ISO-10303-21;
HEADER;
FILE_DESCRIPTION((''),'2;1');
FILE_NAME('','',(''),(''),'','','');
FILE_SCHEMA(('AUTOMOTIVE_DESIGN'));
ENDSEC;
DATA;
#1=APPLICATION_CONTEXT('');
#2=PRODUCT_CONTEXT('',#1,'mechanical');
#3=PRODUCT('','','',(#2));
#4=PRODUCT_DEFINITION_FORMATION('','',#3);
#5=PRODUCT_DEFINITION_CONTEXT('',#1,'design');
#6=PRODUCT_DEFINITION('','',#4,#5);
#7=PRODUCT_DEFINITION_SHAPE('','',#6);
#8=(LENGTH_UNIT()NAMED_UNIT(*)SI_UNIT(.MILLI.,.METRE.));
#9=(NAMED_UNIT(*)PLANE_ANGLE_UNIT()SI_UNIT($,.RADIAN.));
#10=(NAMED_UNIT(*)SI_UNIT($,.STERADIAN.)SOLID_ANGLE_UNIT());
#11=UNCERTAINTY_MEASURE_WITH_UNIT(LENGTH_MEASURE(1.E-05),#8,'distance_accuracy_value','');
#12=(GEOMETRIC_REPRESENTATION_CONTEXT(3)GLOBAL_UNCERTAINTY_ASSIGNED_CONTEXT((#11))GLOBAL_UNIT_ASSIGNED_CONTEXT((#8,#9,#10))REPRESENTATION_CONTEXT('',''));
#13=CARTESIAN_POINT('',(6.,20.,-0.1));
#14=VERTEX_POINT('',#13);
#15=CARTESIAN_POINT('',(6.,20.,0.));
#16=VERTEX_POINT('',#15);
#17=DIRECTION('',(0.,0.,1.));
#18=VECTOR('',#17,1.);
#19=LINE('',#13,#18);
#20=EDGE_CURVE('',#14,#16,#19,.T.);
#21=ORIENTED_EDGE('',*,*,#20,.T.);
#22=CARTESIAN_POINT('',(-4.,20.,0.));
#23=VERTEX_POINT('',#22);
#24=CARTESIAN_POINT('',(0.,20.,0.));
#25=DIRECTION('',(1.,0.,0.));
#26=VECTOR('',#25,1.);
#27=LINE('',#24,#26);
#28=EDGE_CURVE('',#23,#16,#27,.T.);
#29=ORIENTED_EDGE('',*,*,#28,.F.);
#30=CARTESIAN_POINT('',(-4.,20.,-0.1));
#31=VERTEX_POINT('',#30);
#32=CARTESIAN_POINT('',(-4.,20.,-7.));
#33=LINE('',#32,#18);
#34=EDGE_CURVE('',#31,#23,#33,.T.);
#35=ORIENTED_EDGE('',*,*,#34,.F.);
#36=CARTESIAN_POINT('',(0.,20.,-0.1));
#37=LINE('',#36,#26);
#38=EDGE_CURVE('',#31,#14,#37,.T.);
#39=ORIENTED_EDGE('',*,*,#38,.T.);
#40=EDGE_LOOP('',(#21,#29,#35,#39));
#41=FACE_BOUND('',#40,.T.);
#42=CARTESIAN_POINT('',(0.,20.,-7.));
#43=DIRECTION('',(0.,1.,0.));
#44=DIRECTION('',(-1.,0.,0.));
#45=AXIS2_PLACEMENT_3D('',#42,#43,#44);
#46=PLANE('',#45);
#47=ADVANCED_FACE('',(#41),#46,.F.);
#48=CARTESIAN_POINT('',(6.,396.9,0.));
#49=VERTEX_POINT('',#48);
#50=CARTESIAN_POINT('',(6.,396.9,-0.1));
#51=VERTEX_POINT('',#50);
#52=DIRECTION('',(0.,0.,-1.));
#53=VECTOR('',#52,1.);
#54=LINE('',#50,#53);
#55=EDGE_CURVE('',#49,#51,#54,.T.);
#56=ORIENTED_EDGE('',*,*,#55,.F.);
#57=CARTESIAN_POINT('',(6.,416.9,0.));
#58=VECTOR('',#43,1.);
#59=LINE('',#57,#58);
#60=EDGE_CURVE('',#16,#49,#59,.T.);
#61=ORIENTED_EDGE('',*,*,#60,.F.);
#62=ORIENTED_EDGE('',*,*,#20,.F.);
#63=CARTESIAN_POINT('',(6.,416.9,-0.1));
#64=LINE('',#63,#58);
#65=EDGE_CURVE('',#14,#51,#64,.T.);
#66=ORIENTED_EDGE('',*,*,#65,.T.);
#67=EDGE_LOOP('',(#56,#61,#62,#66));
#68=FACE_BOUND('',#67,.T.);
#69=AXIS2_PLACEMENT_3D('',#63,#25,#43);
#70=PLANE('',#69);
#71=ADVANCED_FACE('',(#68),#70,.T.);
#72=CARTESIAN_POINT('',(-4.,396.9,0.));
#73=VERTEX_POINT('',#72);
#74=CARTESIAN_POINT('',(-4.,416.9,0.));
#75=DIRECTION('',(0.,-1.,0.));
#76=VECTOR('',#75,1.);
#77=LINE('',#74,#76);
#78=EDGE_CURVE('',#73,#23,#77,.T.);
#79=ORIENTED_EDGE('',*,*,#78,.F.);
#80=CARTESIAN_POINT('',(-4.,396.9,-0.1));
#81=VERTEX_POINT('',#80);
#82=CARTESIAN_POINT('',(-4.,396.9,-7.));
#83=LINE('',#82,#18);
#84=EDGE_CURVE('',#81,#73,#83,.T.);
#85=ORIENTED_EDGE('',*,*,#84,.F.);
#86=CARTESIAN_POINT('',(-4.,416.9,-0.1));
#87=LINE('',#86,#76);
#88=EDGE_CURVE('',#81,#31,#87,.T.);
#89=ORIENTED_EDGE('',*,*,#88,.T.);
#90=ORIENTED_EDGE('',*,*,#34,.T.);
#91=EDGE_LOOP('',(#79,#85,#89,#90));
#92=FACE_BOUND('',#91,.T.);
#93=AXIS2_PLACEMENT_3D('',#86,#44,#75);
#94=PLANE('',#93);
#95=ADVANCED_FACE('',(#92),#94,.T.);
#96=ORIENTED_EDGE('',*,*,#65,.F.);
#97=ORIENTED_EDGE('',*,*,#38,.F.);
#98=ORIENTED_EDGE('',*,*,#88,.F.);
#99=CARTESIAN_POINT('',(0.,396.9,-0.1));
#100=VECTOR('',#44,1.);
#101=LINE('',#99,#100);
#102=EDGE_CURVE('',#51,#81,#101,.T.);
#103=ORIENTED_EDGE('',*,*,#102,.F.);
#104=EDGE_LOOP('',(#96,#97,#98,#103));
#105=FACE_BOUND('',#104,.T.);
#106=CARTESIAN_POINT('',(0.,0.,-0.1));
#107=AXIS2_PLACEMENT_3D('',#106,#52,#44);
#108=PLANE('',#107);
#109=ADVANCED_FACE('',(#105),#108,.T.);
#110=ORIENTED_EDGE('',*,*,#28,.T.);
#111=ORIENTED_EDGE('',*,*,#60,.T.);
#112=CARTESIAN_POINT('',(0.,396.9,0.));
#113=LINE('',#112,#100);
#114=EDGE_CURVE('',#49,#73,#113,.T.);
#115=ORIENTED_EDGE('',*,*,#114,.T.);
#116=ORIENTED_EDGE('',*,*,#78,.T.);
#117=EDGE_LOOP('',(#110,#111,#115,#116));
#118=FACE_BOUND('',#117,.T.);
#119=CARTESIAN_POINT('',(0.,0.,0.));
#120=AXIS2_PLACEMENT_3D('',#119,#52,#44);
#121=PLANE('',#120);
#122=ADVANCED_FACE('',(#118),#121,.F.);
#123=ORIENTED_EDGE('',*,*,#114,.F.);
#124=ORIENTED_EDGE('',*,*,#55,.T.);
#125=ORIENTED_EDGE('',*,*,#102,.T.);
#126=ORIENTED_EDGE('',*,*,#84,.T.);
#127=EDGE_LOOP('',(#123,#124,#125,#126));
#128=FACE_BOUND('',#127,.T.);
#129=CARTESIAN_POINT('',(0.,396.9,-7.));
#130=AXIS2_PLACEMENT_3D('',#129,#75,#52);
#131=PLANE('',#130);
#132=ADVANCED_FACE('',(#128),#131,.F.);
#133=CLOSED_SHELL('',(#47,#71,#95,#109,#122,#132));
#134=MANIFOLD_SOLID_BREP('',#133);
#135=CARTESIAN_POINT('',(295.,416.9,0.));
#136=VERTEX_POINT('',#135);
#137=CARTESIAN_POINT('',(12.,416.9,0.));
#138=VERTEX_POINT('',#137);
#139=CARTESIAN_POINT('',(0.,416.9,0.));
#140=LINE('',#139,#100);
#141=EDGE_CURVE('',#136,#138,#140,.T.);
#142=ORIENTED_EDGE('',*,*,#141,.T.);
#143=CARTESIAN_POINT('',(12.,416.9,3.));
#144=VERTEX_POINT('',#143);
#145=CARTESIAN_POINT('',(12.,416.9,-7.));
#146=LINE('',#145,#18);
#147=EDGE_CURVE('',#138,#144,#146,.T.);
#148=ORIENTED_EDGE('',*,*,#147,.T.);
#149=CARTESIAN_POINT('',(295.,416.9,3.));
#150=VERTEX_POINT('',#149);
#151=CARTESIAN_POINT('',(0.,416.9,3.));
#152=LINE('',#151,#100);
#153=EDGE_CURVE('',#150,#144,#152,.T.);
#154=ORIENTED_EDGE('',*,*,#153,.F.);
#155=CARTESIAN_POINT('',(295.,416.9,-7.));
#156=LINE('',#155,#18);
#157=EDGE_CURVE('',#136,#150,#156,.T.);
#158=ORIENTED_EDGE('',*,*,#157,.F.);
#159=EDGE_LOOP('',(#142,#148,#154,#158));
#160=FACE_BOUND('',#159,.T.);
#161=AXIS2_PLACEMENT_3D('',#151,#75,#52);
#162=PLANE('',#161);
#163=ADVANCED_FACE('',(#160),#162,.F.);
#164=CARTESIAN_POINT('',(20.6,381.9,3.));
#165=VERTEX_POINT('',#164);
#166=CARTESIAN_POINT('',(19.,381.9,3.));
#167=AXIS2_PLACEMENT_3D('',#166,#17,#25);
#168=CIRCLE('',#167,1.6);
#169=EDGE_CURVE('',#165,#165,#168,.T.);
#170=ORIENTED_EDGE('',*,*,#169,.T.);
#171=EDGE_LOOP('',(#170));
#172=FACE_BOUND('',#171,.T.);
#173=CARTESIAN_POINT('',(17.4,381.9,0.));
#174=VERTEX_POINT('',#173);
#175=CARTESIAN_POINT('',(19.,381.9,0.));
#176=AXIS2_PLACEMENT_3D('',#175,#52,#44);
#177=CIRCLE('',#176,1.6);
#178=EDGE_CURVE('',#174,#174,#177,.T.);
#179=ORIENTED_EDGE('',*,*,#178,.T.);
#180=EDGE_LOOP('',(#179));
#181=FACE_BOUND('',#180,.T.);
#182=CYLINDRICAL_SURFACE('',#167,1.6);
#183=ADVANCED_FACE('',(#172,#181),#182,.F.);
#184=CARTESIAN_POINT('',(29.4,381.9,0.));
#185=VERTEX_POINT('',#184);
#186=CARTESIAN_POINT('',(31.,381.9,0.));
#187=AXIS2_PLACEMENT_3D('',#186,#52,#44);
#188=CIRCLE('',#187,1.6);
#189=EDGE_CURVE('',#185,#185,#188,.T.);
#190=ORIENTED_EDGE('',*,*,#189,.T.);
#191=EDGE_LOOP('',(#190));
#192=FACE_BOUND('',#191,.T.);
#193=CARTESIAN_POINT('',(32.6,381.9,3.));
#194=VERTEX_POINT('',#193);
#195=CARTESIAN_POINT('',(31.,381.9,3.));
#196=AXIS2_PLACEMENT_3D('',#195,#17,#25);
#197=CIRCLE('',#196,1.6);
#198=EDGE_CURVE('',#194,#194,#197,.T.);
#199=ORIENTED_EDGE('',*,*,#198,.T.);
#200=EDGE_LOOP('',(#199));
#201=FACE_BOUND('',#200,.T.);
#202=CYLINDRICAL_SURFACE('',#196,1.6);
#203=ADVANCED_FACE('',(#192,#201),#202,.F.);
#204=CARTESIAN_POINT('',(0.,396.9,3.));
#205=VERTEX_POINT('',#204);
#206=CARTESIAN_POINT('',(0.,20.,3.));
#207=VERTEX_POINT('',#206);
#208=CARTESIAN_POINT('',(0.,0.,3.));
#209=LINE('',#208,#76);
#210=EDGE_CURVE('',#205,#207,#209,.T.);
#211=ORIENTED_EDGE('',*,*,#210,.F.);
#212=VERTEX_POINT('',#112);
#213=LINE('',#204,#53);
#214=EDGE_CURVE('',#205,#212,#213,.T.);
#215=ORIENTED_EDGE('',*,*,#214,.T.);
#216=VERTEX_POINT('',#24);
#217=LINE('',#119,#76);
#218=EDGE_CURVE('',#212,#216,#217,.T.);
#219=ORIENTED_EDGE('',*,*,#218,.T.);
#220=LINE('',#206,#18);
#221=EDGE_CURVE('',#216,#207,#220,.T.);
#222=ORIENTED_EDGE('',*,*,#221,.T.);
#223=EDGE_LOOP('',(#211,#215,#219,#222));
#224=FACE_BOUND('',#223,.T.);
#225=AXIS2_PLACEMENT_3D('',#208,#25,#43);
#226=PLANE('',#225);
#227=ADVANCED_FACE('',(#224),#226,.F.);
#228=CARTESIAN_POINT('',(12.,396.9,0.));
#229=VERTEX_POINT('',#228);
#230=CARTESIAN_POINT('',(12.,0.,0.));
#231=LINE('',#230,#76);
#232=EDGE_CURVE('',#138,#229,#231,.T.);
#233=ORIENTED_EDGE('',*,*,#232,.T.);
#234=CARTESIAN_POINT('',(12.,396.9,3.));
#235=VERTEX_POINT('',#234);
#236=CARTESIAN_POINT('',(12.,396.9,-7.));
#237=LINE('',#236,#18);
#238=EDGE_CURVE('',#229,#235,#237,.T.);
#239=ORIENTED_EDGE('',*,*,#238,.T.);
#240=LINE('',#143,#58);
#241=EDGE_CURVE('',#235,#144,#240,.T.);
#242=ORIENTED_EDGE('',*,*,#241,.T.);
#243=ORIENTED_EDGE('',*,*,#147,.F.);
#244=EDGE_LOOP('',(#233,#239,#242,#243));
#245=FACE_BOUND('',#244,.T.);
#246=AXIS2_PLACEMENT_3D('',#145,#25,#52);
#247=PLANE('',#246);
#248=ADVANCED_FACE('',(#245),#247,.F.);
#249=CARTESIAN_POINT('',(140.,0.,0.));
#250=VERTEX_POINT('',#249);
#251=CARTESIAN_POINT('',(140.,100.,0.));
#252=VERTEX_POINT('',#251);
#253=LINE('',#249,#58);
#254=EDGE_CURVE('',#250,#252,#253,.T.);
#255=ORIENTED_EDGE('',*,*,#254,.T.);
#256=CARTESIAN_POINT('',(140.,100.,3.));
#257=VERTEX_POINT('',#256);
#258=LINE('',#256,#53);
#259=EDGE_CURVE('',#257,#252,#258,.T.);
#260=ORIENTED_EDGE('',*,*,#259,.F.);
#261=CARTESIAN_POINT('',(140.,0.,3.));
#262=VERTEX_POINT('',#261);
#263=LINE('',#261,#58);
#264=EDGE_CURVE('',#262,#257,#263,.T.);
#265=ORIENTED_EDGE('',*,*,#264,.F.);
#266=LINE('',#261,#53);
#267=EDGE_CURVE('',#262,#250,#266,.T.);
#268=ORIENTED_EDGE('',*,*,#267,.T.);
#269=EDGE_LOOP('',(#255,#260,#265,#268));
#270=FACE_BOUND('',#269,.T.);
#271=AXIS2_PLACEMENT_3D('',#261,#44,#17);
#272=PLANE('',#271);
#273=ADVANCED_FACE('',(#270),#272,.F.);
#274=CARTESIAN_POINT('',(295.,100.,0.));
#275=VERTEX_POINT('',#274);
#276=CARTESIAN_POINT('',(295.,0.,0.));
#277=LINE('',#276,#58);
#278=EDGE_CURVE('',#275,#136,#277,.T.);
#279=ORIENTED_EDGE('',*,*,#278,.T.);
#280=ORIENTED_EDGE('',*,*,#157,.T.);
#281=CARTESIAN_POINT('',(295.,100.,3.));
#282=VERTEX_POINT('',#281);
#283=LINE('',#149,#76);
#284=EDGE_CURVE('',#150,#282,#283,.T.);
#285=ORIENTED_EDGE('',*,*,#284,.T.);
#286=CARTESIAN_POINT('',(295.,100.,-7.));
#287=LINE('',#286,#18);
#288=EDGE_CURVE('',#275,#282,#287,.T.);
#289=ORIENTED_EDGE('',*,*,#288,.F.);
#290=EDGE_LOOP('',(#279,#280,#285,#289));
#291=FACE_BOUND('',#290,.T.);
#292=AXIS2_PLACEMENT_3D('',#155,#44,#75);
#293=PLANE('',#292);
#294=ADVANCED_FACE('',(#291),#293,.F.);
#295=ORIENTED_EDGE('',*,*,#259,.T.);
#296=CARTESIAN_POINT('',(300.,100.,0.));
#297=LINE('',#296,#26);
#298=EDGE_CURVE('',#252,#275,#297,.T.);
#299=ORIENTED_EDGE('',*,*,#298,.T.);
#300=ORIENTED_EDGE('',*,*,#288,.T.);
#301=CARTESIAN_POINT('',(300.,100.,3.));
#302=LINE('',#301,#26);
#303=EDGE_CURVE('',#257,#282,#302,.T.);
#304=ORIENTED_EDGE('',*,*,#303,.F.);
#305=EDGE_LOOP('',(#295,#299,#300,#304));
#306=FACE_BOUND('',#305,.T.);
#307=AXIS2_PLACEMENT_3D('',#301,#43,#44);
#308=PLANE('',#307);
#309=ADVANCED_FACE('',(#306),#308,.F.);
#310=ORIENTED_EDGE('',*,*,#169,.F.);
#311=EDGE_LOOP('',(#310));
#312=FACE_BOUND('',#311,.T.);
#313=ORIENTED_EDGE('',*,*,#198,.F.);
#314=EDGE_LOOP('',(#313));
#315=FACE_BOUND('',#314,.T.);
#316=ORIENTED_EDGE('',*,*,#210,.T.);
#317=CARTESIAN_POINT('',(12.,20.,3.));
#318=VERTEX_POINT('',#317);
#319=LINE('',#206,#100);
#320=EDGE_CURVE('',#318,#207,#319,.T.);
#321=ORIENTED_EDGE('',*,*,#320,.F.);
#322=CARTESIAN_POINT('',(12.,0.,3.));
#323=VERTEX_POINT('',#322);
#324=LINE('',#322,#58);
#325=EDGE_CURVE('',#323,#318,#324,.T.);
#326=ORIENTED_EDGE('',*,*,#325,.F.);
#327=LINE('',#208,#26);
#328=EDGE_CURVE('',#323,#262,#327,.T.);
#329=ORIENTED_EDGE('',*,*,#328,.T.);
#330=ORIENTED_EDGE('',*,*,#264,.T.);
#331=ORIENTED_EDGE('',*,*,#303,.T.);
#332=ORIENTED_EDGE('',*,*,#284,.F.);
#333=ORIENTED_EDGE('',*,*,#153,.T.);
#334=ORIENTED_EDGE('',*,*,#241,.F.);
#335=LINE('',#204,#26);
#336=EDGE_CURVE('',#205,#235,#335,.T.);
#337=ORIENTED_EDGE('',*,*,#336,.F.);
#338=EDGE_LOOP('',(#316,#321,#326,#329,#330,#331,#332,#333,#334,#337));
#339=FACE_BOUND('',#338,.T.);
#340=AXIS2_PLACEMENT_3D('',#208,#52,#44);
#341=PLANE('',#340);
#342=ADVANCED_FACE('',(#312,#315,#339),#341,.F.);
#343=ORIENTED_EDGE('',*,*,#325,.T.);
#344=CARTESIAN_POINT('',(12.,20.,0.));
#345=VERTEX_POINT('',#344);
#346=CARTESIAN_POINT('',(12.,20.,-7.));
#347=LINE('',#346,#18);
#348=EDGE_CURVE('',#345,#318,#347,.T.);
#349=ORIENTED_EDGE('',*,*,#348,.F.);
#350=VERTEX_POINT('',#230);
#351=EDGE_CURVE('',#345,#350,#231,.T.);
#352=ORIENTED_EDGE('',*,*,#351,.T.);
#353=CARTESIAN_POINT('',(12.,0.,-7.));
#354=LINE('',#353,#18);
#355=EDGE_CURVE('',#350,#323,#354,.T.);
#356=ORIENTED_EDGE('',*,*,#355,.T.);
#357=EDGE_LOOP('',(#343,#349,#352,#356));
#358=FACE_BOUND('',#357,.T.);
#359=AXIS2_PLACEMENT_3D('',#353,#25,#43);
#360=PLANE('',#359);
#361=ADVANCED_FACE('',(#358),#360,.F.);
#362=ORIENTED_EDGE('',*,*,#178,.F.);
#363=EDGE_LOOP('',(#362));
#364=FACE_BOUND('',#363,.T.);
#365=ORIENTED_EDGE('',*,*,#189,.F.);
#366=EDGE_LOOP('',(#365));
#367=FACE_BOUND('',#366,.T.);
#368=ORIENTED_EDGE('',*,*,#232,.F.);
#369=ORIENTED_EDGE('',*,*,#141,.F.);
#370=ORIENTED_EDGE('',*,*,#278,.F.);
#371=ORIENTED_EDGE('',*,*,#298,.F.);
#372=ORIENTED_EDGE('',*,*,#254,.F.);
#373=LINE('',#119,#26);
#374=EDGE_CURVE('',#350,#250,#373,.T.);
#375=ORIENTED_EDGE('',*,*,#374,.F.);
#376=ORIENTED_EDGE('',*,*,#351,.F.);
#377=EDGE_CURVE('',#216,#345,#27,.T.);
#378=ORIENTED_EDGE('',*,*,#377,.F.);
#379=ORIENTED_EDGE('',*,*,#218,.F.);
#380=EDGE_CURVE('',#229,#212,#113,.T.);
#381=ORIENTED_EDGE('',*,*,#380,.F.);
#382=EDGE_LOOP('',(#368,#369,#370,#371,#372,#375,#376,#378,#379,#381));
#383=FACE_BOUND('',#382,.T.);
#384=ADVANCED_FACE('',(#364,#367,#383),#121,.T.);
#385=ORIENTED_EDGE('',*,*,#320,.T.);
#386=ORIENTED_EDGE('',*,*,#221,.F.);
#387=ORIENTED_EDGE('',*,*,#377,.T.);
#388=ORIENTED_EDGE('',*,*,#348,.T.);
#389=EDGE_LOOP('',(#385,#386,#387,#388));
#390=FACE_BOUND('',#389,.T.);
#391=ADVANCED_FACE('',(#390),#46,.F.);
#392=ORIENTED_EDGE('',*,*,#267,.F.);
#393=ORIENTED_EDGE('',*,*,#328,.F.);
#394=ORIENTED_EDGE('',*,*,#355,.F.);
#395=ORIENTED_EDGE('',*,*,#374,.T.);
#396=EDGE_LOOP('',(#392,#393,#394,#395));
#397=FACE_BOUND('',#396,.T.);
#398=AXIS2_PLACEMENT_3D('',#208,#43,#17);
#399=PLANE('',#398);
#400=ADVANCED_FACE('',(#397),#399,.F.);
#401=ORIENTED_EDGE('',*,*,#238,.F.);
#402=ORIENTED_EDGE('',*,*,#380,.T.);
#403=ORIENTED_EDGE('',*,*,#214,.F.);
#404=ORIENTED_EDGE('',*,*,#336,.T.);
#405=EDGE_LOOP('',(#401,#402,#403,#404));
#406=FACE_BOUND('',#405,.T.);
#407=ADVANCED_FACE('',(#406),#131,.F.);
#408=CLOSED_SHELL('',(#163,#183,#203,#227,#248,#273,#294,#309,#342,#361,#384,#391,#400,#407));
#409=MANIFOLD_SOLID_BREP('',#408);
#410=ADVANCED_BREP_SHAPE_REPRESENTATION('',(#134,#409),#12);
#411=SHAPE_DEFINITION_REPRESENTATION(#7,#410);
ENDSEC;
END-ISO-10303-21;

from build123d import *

# Parameters (mm, degrees)
BOSS_EXTRUDE1_DEPTH           = 3
SKETCH2_W                     = 10
SKETCH2_H                     = 416.9
BOSS_EXTRUDE2_DEPTH           = 0.1
CUT_EXTRUDE1_DEPTH            = 10
SKETCH5_W                     = 1.6
SKETCH5_H                     = 3.1
M3_CLEARANCE_HOLE1_AT_2_COUNT = 2
M3_CLEARANCE_HOLE1_AT_2_PITCH = 12
SKETCH6_W                     = 5
SKETCH6_H                     = 316.9
CUT_EXTRUDE2_DEPTH            = 10


with BuildPart() as part:
    # Sketch1 → Boss-Extrude1 (new body)
    with BuildSketch(Plane.XY):
        Polygon((0, 0), (140, 0), (140, 100), (300, 100), (300, 416.9), (0, 416.9), align=None)
    extrude(amount=BOSS_EXTRUDE1_DEPTH)


with BuildPart() as body_2:
    # Sketch2 → Boss-Extrude2 (new body)
    with BuildSketch(Plane.XY):
        with Locations((1, 208.45)):
            Rectangle(SKETCH2_W, SKETCH2_H)
    extrude(amount=-BOSS_EXTRUDE2_DEPTH)


with BuildPart() as cut_extrude1_tool:
    # Sketch3 → Cut-Extrude1 (new body)
    with BuildSketch(Plane.XY.offset(3)):
        Polygon((0, 416.9), (-4, 416.9), (-4, 396.9), (0, 396.9), (12, 396.9), (12, 416.9), align=None)
        Polygon((0, 0), (12, 0), (12, 20), (0, 20), (-4, 20), (-4, 0), align=None)
    extrude(amount=-CUT_EXTRUDE1_DEPTH)


with BuildPart() as part_1:
    add(part.part)

    # Cut-Extrude1: cut by cut_extrude1_tool
    add(cut_extrude1_tool.part, mode=Mode.SUBTRACT)

    # Sketch5 → M3 Clearance Hole1 (revolve, cut)
    with BuildSketch(Plane(origin=(31, 381.9, 3), x_dir=(0, -1, 0), z_dir=(1, 0, 0))):
        with Locations((0.8, 1.55)):
            Rectangle(SKETCH5_W, SKETCH5_H)
    m3_clearance_hole1 = revolve(axis=Axis((31, 381.9, 9.35), (0, 0, -1)), mode=Mode.SUBTRACT)

    # M3 Clearance Hole1 at 2: M3 Clearance Hole1 ×2
    with Locations(*[(-i * M3_CLEARANCE_HOLE1_AT_2_PITCH, 0, 0) for i in range(1, M3_CLEARANCE_HOLE1_AT_2_COUNT)]):
        add(m3_clearance_hole1, mode=Mode.SUBTRACT)

    # Sketch6 → Cut-Extrude2 (cut)
    with BuildSketch(Plane.XY.offset(3)):
        with Locations((297.5, 258.45)):
            Rectangle(SKETCH6_W, SKETCH6_H)
    extrude(amount=-CUT_EXTRUDE2_DEPTH, mode=Mode.SUBTRACT)


with BuildPart() as body_2_1:
    add(body_2.part)

    # Cut-Extrude1: cut by cut_extrude1_tool
    add(cut_extrude1_tool.part, mode=Mode.SUBTRACT)


solid = Compound([part_1.part, body_2_1.part])
